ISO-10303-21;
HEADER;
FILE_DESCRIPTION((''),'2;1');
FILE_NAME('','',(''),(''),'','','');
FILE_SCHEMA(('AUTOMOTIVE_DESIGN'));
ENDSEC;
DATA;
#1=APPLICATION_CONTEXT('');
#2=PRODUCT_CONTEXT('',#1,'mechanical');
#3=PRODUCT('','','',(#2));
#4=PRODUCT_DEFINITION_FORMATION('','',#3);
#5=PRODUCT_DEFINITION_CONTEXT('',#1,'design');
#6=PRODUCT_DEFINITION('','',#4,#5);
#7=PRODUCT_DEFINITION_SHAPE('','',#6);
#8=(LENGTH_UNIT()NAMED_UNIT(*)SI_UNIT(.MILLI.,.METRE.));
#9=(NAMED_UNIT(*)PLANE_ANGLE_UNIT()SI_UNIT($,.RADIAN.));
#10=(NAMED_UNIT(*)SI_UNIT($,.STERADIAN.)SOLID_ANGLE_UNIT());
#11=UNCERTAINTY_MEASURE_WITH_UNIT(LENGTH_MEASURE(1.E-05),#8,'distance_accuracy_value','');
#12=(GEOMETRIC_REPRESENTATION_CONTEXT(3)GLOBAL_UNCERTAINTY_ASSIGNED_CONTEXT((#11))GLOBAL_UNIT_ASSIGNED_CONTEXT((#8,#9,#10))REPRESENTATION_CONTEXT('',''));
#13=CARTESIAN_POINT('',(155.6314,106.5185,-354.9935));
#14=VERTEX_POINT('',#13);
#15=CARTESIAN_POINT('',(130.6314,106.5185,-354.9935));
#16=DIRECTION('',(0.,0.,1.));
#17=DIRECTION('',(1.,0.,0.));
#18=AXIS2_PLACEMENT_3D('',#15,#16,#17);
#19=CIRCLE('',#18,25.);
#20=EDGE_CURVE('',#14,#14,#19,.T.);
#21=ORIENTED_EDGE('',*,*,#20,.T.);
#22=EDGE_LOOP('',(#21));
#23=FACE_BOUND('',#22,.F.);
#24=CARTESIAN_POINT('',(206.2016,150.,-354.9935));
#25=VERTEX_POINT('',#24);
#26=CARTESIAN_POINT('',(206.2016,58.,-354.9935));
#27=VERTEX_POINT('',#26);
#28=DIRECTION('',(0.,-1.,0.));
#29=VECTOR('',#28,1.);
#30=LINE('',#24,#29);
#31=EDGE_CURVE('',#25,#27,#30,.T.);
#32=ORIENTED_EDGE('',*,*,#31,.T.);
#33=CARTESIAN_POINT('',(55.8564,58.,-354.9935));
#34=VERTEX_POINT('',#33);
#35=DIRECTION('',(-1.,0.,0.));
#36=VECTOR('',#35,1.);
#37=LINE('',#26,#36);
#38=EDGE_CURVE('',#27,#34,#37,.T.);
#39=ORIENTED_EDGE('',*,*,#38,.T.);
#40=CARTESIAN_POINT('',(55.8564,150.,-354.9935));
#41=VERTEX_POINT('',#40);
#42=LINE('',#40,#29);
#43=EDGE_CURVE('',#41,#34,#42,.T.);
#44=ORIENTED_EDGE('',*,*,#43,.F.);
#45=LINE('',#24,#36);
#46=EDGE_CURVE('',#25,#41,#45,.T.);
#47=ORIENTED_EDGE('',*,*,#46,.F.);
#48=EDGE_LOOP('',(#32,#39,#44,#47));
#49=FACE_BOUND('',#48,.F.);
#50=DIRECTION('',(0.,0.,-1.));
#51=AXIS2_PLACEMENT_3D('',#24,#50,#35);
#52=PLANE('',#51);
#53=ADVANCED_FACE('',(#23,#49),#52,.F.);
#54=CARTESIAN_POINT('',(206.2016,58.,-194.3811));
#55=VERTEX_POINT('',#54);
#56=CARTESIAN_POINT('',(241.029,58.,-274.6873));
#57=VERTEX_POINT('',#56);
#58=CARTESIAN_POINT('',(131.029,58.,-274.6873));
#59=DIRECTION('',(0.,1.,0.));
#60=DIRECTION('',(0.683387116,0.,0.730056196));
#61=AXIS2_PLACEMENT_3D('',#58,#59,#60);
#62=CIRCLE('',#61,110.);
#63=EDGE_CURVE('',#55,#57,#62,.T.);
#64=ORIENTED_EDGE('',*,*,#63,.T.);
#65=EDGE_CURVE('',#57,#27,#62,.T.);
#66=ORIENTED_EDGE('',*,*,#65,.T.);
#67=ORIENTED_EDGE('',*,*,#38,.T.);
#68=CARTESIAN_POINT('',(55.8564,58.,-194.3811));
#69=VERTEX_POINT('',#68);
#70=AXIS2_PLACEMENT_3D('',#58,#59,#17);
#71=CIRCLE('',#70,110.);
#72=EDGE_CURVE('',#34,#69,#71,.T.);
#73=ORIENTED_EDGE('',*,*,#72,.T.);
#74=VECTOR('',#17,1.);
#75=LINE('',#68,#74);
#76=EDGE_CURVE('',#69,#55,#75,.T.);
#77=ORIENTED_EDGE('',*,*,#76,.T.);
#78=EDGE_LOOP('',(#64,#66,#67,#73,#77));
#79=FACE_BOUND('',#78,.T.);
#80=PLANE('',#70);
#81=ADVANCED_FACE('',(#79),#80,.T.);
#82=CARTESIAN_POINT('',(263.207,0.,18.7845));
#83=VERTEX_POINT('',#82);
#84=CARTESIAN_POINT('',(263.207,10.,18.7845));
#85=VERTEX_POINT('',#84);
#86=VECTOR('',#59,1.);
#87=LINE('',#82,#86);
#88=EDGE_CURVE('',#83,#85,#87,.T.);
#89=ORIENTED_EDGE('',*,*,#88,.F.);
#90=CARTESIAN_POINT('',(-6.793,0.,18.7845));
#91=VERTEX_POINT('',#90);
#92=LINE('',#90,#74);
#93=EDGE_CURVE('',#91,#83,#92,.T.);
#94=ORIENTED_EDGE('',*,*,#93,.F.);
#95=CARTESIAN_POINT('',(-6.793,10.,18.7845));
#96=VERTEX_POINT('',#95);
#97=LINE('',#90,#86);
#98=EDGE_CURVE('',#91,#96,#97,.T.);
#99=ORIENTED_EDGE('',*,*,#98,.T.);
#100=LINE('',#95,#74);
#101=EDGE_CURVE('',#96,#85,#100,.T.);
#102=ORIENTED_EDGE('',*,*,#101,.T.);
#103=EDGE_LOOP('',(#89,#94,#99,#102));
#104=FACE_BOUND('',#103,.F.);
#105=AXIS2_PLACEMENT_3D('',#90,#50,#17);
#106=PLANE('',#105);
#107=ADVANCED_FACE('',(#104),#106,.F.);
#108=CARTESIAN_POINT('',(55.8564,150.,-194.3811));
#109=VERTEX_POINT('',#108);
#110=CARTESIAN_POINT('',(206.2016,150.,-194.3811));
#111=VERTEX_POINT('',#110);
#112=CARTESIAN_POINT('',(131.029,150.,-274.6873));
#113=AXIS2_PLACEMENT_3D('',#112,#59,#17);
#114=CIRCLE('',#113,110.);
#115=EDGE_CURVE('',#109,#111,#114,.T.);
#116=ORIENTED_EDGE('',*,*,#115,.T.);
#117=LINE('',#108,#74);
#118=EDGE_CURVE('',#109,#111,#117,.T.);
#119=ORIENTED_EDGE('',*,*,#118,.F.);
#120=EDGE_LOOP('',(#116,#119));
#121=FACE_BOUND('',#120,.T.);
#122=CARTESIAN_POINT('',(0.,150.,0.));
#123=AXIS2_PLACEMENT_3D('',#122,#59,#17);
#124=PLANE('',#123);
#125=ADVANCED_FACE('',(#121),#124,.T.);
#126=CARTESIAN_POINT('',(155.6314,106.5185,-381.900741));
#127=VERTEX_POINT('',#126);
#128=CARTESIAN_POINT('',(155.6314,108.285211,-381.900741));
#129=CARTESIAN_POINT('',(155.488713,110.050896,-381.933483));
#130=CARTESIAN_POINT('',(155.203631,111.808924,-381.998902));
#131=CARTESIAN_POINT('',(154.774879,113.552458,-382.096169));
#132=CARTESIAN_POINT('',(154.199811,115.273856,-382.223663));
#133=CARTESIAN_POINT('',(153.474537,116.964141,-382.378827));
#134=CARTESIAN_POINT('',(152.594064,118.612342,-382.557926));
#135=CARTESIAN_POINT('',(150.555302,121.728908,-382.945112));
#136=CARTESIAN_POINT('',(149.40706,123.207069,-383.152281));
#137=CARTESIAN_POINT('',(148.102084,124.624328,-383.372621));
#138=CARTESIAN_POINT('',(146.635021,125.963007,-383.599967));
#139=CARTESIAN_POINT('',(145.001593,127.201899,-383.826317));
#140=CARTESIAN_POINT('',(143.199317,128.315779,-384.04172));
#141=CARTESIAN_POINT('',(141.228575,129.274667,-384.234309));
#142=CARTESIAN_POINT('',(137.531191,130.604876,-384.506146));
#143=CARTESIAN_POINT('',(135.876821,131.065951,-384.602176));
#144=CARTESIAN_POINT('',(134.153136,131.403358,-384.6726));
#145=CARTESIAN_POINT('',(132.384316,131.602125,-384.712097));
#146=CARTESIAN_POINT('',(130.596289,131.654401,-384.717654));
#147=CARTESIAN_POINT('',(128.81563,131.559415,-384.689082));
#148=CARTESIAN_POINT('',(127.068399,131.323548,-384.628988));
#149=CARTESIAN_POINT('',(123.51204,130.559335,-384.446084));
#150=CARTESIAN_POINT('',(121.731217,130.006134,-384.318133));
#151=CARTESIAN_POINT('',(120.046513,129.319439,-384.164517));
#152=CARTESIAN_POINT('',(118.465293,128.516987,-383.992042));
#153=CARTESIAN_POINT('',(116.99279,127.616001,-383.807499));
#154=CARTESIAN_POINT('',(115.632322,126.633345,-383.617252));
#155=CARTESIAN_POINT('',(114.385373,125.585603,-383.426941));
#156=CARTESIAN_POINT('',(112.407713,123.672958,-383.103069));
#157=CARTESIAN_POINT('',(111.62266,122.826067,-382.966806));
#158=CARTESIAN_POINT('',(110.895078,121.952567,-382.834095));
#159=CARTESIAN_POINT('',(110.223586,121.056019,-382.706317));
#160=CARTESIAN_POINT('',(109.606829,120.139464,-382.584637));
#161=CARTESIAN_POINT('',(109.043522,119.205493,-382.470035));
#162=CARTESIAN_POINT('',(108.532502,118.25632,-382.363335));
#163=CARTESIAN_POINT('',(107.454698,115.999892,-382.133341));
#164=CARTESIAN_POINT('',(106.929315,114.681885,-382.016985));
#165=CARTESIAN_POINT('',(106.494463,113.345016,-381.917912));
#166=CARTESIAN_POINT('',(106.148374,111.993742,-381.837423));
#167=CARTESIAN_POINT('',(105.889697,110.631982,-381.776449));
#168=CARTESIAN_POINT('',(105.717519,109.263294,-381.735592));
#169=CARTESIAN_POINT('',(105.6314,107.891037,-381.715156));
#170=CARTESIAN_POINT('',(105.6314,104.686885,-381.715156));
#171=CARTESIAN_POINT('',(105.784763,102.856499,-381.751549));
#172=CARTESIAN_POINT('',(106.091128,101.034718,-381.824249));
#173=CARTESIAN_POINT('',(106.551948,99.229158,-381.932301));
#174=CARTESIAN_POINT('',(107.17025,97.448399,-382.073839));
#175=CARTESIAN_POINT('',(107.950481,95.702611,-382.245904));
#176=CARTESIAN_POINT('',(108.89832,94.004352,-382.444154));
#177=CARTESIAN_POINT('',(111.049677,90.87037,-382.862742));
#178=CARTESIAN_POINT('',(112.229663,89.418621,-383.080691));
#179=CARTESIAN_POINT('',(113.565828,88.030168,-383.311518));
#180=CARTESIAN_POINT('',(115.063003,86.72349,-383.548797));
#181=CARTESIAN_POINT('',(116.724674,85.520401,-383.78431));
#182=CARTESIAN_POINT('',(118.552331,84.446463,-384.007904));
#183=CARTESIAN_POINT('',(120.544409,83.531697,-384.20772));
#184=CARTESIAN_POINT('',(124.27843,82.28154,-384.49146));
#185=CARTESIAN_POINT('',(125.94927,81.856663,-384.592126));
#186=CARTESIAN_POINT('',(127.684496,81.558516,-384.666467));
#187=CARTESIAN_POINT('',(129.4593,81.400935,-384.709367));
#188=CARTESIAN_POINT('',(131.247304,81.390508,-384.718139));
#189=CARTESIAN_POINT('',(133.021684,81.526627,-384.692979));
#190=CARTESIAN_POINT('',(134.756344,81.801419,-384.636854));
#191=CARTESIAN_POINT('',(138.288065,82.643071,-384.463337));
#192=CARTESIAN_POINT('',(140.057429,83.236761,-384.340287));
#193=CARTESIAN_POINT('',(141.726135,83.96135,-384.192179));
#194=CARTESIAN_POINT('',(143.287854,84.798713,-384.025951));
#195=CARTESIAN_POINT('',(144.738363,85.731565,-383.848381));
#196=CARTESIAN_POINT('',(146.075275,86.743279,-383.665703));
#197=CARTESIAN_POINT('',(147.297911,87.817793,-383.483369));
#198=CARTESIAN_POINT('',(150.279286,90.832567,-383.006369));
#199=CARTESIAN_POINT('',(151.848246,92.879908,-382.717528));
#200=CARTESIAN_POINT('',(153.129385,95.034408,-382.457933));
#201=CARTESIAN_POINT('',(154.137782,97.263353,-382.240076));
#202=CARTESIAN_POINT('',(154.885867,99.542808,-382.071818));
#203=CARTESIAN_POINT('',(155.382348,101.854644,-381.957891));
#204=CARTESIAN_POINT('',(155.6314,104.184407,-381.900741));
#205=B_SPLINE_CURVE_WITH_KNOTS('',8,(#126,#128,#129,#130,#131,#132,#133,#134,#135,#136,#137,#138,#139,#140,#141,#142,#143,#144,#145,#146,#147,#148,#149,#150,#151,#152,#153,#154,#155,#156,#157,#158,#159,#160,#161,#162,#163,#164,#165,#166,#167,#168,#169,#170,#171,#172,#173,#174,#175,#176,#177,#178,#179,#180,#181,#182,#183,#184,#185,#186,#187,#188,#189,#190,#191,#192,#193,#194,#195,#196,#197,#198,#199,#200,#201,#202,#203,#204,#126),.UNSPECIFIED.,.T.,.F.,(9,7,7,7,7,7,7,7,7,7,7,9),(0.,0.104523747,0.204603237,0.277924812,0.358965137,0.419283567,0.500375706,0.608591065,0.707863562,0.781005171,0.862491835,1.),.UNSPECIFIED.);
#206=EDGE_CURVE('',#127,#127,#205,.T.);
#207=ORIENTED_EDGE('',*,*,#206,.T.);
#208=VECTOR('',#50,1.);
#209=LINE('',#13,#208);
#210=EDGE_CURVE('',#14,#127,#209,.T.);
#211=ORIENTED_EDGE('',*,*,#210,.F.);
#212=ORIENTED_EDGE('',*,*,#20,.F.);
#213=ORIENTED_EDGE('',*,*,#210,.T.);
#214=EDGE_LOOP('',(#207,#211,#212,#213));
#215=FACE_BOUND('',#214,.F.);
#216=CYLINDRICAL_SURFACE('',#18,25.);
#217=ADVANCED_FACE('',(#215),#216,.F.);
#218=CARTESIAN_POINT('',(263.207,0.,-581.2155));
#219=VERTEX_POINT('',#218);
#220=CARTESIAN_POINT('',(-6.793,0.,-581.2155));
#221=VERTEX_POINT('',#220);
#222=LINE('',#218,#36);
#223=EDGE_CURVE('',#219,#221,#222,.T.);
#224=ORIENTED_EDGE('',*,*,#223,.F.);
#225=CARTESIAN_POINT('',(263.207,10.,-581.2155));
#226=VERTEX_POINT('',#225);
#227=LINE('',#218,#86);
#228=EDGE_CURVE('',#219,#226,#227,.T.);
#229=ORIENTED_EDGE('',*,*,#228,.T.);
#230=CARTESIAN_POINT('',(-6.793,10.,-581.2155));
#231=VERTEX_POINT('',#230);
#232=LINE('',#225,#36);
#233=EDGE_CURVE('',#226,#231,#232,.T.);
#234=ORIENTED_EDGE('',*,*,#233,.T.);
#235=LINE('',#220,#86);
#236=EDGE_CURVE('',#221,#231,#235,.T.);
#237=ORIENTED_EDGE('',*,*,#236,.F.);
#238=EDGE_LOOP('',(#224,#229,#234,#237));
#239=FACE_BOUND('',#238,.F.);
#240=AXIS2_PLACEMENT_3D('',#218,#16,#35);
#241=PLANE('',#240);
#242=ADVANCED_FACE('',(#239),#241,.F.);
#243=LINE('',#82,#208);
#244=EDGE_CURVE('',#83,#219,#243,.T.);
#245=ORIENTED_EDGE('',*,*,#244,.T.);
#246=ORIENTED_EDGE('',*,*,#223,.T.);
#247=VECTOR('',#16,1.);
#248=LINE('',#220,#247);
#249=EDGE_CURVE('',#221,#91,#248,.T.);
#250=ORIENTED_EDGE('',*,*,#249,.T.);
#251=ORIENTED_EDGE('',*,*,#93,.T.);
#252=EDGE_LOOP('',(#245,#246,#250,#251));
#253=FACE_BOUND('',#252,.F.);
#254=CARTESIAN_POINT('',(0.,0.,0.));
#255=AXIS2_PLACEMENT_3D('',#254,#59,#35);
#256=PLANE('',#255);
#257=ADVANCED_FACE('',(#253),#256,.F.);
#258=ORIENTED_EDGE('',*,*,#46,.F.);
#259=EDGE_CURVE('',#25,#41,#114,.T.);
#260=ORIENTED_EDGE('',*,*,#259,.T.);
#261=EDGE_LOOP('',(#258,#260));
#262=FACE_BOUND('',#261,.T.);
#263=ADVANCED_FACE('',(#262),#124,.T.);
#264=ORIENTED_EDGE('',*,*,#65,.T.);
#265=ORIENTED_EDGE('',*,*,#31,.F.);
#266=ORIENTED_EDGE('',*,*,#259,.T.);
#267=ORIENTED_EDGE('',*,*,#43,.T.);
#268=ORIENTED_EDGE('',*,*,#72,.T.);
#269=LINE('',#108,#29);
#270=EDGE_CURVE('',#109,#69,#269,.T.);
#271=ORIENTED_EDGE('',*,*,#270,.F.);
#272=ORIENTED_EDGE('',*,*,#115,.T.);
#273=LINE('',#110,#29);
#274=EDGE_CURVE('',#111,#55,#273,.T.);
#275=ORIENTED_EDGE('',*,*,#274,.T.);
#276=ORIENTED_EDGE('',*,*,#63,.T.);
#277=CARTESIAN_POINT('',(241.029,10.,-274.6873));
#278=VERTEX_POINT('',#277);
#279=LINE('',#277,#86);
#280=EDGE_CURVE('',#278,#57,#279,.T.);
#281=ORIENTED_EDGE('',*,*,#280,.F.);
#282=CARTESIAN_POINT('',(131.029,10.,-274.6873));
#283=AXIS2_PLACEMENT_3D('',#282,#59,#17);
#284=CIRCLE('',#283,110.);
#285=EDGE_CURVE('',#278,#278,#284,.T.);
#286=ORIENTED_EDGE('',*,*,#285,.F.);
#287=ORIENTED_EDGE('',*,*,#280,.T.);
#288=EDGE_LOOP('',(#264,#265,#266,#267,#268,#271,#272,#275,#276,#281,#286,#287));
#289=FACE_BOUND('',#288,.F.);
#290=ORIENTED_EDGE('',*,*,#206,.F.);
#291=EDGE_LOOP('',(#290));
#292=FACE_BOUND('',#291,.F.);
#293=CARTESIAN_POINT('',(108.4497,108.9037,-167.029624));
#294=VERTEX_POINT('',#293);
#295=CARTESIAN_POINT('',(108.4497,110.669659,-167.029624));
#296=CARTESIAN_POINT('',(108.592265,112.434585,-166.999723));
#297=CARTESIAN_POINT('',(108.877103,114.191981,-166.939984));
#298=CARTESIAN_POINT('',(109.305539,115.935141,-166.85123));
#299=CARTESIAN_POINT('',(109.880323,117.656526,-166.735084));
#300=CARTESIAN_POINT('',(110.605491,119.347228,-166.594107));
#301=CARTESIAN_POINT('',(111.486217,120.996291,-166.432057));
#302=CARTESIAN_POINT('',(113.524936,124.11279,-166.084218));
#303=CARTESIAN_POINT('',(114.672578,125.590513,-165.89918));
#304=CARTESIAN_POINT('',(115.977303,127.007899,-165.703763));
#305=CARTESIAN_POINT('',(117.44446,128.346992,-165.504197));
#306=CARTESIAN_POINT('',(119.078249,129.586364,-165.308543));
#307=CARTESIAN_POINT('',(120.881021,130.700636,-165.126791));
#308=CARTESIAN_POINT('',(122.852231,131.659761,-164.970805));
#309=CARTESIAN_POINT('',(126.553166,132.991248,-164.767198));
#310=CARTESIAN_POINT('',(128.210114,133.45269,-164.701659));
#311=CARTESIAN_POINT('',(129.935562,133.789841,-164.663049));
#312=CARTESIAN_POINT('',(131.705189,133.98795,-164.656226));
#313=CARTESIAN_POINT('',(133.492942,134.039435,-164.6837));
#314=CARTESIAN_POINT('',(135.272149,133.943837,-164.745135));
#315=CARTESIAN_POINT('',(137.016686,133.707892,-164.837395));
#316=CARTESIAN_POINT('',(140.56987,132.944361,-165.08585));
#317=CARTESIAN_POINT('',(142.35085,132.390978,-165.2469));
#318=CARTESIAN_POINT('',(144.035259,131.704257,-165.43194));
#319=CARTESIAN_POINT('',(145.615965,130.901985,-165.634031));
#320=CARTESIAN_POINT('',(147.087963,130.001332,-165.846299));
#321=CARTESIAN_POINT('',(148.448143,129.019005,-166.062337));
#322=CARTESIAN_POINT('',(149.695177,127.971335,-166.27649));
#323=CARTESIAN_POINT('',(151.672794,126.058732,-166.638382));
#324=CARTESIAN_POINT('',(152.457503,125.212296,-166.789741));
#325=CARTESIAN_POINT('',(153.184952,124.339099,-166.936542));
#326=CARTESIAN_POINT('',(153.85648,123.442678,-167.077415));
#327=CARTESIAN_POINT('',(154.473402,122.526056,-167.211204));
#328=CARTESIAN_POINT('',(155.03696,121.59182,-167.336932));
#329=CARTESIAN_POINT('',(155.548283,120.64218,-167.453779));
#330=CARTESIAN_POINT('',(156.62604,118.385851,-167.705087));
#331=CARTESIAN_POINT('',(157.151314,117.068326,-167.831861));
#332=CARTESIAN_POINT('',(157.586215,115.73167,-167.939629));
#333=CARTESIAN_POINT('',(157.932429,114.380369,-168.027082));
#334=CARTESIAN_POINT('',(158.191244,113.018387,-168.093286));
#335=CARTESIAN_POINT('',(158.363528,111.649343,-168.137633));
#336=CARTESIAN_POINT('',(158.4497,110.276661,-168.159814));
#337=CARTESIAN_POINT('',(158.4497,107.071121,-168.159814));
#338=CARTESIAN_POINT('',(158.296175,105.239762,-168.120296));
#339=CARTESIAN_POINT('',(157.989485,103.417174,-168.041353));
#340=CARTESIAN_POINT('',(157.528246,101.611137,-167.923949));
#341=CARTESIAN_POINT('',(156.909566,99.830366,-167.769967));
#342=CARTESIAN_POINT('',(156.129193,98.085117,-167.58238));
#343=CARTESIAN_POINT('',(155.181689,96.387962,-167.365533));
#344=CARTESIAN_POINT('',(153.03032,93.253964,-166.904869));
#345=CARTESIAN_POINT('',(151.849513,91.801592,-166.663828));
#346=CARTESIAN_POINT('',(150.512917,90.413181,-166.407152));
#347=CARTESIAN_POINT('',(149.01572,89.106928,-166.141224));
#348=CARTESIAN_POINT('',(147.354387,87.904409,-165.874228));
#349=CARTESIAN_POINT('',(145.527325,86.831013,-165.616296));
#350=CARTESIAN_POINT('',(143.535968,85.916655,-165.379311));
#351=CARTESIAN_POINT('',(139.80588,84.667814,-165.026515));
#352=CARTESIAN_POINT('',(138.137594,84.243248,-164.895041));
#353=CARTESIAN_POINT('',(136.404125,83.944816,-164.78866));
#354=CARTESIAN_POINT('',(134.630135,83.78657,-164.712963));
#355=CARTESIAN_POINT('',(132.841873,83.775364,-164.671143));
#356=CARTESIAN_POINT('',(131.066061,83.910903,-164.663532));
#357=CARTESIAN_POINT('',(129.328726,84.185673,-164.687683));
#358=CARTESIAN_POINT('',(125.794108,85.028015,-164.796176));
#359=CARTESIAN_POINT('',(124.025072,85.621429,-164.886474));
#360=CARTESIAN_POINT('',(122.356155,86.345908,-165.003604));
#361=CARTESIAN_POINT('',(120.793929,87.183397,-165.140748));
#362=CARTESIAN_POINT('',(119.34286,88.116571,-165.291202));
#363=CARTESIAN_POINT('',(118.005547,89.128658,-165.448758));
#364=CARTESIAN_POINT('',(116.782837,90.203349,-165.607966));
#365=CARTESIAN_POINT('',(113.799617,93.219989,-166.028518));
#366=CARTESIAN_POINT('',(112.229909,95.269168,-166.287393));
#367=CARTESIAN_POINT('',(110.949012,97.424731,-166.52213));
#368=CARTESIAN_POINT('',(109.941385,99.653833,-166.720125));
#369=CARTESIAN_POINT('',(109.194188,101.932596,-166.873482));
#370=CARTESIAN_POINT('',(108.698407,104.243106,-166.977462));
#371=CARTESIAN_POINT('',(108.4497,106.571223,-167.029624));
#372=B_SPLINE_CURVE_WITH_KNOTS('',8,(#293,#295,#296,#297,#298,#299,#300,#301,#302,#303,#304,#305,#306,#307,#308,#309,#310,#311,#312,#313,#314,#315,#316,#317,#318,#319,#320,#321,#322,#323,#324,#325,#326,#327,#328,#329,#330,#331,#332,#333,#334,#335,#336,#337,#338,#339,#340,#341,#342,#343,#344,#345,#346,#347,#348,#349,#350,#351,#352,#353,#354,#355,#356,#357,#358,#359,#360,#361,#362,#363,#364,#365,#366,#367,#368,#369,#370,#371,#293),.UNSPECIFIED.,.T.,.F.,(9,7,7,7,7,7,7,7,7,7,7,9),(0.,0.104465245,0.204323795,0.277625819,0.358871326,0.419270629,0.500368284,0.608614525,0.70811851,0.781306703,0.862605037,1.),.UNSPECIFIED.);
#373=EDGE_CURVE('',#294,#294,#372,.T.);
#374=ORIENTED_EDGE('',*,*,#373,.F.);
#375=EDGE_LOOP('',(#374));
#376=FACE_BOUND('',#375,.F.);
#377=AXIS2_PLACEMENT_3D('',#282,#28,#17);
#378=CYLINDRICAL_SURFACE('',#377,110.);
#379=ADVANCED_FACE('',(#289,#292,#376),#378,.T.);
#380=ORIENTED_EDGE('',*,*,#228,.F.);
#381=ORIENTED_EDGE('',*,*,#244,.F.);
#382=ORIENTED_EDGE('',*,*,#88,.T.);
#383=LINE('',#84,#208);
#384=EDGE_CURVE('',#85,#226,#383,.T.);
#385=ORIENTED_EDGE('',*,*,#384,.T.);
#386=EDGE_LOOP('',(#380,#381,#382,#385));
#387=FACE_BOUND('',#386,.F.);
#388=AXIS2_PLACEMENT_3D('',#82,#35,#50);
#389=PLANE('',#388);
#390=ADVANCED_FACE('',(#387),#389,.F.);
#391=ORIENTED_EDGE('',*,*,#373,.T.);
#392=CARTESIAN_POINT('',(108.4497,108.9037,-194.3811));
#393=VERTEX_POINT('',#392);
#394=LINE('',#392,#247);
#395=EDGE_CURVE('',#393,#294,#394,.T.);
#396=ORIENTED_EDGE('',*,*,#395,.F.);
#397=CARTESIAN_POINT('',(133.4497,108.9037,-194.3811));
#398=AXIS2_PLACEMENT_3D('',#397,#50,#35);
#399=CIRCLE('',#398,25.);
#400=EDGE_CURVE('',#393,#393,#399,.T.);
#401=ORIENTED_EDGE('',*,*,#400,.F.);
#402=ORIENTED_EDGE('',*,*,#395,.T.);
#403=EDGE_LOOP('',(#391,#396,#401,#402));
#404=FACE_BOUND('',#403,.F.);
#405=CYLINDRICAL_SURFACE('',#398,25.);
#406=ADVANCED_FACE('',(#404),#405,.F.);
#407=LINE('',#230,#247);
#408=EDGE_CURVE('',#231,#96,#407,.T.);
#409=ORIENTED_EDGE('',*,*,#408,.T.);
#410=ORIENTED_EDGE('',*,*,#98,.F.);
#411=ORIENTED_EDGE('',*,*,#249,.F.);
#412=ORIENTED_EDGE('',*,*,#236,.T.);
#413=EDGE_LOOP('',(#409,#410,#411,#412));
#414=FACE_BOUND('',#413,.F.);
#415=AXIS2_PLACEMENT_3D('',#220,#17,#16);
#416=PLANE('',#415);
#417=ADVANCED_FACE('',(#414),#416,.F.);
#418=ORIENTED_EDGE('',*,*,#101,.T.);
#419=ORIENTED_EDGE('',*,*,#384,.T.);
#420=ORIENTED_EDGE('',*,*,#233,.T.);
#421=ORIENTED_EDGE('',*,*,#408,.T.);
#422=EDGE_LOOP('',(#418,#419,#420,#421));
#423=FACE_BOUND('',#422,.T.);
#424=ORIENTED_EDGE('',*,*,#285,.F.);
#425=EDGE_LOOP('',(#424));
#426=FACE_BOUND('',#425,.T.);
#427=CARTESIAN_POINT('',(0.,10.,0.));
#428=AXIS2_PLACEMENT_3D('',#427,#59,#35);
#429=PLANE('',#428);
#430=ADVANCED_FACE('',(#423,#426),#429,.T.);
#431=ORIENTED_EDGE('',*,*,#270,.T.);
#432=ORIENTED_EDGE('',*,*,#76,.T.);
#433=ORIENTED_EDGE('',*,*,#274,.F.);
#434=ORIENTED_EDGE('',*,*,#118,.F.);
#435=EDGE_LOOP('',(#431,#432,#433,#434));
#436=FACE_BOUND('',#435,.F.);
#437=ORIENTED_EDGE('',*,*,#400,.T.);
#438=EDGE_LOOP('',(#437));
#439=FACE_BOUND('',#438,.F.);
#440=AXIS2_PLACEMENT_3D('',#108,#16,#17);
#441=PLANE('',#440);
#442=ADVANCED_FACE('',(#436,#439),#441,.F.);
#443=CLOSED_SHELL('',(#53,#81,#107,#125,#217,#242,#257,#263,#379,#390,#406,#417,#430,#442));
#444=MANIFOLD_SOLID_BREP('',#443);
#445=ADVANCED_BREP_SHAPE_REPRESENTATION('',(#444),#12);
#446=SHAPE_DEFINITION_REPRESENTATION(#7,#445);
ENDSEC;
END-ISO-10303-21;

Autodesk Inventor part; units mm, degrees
ref_plane "YZ Plane" through (0, 0, 0) normal (1, 0, 0) x (0, 1, 0)
ref_plane "XZ Plane" through (0, 0, 0) normal (0, 1, 0) x (-1, 0, 0)
ref_plane "XY Plane" through (0, 0, 0) normal (0, 0, 1) x (1, 0, 0)
sketch "Sketch1" plane through (0, 0, 0) normal (0, 1, 0) x (-1, 0, 0)
  line L0 (6.793, 18.7845) -> (-263.207, 18.7845)
  line L1 (-263.207, 18.7845) -> (-263.207, -581.2155)
  line L2 (-263.207, -581.2155) -> (6.793, -581.2155)
  line L3 (6.793, -581.2155) -> (6.793, 18.7845)
  point P0 (0, 0)
  dimension "d0" = 270
  dimension "d1" = 600
extrude "Extrusion1" add sketch "Sketch1" along normal blind 10
sketch "Sketch2" plane through (0, 10, 0) normal (0, 1, 0) x (1, 0, 0)
  point P0 (0, 0)
sketch "Sketch3" plane through (0, 10, 0) normal (0, 1, 0) x (1, 0, 0)
  circle A0 centre (131.029, 274.6873) radius 110
  point P0 (0, 0)
  dimension "d4" = 220
extrude "Extrusion2" add sketch "Sketch3" along normal blind 140
sketch "Sketch4" plane through (131.029, 150, -274.6873) normal (0, 1, 0) x (1, 0, 0)
  circle A0 centre (0, 0) radius 110 projected
  line L0 (-75.1726, -80.3062) -> (75.1726, -80.3062)
  line L1 (75.1726, -80.3062) -> (75.1726, 80.3062)
  line L2 (75.1726, 80.3062) -> (-75.1726, 80.3062)
  line L3 (-75.1726, 80.3062) -> (-75.1726, -80.3062)
  line L4 (-75.1726, -80.3062) -> (75.1726, 80.3062) construction
  line L5 (75.1726, -80.3062) -> (-75.1726, 80.3062) construction
  arc A1 (-75.1726, 80.3062) -> (-75.1726, -80.3062) centre (0, 0) ccw
  arc A2 (75.1726, -80.3062) -> (75.1726, 80.3062) centre (0, 0) ccw
  point P0 (-131.029, -274.6873)
  point P1 (-75.1726, 80.3062)
  point P2 (75.1726, -80.3062)
extrude "Extrusion3" cut sketch "Sketch4" against normal blind 92 contours A0 L1 | L1 L0 L3 L2 | L3 A0
sketch "Sketch5" plane through (206.2016, 150, -194.3811) normal (0, 0, -1) x (-1, 0, 0)
  circle A0 centre (72.7519, -41.0963) radius 25
  point P0 (206.2016, -150)
  dimension "d9" = 50
extrude "Extrusion4" cut sketch "Sketch5" against normal blind 92
sketch "Sketch6" plane through (55.8564, 150, -354.9935) normal (0, 0, 1) x (1, 0, 0)
  circle A0 centre (74.775, -43.4815) radius 25
  point P0 (-55.8564, -150)
  dimension "d12" = 50
extrude "Extrusion5" cut sketch "Sketch6" against normal blind 92
